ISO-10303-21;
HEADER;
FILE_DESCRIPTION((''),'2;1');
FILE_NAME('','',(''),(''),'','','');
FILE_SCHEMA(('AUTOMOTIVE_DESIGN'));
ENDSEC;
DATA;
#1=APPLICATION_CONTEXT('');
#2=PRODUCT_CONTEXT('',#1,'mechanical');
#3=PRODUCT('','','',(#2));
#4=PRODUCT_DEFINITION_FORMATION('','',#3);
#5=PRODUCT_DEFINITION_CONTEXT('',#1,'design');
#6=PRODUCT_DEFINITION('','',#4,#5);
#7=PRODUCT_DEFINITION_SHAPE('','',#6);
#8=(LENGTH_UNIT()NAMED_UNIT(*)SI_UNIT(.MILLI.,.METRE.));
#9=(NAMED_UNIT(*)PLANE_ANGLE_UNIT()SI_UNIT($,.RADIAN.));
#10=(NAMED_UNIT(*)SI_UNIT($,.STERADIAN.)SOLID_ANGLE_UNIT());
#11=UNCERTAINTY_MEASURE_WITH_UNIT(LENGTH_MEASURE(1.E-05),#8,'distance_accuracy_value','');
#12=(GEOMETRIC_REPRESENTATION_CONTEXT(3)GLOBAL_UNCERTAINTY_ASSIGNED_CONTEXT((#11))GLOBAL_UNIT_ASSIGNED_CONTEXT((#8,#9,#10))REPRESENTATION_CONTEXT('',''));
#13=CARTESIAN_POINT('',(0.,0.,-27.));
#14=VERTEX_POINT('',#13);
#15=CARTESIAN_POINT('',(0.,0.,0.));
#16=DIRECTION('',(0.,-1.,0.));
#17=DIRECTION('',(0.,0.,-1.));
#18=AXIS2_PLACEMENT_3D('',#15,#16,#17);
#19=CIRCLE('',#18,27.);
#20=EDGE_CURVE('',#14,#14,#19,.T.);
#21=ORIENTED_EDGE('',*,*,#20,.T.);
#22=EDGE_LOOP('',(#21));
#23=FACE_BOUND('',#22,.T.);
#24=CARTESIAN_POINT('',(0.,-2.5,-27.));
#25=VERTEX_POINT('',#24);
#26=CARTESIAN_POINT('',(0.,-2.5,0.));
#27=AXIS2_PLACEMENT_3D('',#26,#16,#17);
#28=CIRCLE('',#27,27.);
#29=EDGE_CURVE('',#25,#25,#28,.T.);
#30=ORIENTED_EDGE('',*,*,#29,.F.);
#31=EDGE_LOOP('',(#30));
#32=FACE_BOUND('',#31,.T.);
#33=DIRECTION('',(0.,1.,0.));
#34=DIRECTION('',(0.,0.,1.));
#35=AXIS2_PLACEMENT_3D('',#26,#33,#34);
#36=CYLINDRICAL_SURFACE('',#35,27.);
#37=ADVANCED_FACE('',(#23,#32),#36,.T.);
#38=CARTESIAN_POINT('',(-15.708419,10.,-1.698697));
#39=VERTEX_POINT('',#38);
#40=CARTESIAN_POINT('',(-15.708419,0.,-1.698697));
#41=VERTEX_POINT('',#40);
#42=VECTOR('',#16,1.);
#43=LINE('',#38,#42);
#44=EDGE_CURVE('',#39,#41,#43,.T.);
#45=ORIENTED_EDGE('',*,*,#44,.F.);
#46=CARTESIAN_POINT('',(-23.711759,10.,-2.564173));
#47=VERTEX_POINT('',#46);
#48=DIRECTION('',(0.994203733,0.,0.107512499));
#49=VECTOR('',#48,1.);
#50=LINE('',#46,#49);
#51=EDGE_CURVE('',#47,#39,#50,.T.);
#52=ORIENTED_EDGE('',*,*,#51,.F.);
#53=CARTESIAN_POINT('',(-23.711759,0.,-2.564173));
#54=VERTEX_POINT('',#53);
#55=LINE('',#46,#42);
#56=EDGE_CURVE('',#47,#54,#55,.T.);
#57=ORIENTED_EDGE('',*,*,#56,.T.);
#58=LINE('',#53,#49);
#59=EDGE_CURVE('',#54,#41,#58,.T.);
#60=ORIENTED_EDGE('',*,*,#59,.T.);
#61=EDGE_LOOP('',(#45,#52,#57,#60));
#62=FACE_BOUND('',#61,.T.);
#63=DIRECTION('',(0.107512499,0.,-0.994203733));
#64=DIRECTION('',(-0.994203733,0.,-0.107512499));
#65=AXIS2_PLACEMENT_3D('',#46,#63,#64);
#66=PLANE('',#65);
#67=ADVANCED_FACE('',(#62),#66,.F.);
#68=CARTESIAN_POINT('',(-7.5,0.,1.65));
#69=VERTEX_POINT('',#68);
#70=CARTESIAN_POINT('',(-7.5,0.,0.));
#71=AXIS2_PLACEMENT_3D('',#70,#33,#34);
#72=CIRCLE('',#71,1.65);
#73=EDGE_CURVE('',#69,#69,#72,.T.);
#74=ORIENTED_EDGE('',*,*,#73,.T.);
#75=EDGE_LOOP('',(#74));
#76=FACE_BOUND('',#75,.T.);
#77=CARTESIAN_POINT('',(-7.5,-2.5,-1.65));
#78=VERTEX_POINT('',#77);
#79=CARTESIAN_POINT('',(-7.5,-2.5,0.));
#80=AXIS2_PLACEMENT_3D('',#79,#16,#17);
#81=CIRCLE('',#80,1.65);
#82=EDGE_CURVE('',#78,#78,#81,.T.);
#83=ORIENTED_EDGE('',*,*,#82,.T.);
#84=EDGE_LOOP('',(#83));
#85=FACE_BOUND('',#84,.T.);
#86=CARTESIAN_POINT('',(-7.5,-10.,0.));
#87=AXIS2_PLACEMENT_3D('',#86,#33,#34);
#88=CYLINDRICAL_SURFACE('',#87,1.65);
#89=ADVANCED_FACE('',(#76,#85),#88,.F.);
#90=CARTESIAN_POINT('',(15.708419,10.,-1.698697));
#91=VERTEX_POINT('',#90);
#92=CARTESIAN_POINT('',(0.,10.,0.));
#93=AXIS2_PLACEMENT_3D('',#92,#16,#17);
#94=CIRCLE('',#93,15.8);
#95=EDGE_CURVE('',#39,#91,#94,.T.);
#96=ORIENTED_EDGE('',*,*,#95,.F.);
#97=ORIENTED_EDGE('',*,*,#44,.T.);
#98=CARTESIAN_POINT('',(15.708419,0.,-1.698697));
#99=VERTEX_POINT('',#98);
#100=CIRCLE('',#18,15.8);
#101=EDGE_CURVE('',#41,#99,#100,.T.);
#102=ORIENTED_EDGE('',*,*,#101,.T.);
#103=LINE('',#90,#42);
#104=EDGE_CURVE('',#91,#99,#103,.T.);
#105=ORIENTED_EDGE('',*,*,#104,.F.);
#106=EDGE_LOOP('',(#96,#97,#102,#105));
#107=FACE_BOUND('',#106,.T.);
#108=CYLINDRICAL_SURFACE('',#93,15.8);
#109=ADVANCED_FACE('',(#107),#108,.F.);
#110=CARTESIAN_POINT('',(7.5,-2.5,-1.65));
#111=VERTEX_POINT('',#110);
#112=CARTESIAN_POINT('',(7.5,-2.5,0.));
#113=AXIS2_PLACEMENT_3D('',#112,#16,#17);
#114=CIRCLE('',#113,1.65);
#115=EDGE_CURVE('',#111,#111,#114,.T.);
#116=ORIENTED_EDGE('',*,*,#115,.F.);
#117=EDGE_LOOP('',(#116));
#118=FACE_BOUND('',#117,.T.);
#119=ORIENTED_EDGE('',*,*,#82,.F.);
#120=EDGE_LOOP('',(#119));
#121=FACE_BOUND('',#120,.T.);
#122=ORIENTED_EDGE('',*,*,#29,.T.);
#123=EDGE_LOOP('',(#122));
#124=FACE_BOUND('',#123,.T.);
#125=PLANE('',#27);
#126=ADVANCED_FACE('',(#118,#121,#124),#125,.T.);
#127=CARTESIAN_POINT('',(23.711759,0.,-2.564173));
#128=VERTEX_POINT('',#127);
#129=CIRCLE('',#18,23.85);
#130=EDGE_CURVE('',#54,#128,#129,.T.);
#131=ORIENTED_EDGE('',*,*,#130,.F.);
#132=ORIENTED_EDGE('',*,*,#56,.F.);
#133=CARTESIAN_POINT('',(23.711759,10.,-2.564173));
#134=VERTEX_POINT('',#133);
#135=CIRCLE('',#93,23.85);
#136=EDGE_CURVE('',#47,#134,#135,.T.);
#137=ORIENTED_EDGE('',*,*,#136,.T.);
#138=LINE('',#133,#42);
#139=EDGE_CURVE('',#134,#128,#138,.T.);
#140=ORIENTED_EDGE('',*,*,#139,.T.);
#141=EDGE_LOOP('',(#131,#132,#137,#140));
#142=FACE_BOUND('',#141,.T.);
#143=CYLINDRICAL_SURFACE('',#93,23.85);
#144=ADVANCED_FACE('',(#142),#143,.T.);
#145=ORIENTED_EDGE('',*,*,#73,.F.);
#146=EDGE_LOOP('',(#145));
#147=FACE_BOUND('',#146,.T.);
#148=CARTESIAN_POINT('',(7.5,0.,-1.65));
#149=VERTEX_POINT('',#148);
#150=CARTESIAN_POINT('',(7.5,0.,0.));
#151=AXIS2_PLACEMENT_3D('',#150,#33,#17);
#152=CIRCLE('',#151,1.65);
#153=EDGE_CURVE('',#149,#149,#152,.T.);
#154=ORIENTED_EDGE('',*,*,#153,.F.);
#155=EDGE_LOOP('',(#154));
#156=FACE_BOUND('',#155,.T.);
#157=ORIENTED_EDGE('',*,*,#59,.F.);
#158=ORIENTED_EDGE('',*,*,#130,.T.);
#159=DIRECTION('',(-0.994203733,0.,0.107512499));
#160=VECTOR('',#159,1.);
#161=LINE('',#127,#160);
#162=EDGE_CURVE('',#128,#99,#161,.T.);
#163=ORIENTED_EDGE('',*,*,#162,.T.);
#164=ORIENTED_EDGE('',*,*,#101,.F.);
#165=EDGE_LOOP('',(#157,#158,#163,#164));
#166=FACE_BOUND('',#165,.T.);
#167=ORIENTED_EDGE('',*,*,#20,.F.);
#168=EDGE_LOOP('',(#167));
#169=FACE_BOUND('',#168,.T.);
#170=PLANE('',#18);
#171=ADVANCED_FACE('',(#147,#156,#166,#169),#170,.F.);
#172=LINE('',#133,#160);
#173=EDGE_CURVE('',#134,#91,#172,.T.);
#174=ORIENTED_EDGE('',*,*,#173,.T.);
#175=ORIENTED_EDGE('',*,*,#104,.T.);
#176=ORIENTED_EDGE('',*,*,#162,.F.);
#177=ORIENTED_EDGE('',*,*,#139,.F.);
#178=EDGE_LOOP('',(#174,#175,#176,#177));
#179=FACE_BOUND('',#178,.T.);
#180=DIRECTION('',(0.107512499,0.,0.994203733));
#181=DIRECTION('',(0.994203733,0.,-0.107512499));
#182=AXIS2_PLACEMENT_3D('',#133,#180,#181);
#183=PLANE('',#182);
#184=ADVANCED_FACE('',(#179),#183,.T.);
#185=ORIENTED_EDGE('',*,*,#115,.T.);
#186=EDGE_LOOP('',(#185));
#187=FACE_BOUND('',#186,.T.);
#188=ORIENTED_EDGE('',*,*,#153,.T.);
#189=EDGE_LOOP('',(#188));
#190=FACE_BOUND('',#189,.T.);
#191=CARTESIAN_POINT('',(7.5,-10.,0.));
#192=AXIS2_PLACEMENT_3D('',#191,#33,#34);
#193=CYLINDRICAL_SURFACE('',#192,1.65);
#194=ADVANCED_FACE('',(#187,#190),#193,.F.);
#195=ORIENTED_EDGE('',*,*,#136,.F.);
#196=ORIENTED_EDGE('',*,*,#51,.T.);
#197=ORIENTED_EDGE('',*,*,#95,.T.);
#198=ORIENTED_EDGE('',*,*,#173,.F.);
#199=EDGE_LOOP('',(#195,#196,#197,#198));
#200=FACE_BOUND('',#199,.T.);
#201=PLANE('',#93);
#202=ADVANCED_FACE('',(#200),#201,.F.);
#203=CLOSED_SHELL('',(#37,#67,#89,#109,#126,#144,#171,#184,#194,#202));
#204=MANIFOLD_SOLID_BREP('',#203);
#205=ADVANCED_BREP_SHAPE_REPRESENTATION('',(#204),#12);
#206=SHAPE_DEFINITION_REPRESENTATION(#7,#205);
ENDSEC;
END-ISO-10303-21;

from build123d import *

# Parameters (mm, degrees)
BOSS_EXTRUDE1_DEPTH = 10
SKETCH2_R           = 27
BOSS_EXTRUDE2_DEPTH = 2.5
SKETCH3_R           = 1.65
CUT_EXTRUDE1_DEPTH  = 10


with BuildPart() as part:
    # Sketch1 → Boss-Extrude1 (new body)
    with BuildSketch(Plane(origin=(0, 0, 0), x_dir=(1, 0, 0), z_dir=(0, 1, 0))):
        with BuildLine():
            Line((-23.711759029, 2.564173113), (-15.708418979, 1.698697492))
            ThreePointArc((-15.708418979, 1.698697492), (0, 15.8), (15.708418979, 1.698697492))
            Line((15.708418979, 1.698697492), (23.711759029, 2.564173113))
            ThreePointArc((23.711759029, 2.564173113), (0, 23.85), (-23.711759029, 2.564173113))
        make_face()
    extrude(amount=BOSS_EXTRUDE1_DEPTH)

    # Sketch2 → Boss-Extrude2 (add)
    with BuildSketch(Plane.XZ):
        with Locations(Location((0, 0, 0), (0, 0, 270))):
            Circle(SKETCH2_R)
    extrude(amount=BOSS_EXTRUDE2_DEPTH)

    # Sketch3 → Cut-Extrude1 (cut)
    with BuildSketch(Plane(origin=(0, 0, 0), x_dir=(1, 0, 0), z_dir=(0, 1, 0))):
        with Locations(Location((-7.5, 0, 0), (0, 0, 270))):
            Circle(SKETCH3_R)
        with Locations(Location((7.5, 0, 0), (0, 0, 90))):
            Circle(SKETCH3_R)
    extrude(amount=-CUT_EXTRUDE1_DEPTH, mode=Mode.SUBTRACT)


solid = part.part
